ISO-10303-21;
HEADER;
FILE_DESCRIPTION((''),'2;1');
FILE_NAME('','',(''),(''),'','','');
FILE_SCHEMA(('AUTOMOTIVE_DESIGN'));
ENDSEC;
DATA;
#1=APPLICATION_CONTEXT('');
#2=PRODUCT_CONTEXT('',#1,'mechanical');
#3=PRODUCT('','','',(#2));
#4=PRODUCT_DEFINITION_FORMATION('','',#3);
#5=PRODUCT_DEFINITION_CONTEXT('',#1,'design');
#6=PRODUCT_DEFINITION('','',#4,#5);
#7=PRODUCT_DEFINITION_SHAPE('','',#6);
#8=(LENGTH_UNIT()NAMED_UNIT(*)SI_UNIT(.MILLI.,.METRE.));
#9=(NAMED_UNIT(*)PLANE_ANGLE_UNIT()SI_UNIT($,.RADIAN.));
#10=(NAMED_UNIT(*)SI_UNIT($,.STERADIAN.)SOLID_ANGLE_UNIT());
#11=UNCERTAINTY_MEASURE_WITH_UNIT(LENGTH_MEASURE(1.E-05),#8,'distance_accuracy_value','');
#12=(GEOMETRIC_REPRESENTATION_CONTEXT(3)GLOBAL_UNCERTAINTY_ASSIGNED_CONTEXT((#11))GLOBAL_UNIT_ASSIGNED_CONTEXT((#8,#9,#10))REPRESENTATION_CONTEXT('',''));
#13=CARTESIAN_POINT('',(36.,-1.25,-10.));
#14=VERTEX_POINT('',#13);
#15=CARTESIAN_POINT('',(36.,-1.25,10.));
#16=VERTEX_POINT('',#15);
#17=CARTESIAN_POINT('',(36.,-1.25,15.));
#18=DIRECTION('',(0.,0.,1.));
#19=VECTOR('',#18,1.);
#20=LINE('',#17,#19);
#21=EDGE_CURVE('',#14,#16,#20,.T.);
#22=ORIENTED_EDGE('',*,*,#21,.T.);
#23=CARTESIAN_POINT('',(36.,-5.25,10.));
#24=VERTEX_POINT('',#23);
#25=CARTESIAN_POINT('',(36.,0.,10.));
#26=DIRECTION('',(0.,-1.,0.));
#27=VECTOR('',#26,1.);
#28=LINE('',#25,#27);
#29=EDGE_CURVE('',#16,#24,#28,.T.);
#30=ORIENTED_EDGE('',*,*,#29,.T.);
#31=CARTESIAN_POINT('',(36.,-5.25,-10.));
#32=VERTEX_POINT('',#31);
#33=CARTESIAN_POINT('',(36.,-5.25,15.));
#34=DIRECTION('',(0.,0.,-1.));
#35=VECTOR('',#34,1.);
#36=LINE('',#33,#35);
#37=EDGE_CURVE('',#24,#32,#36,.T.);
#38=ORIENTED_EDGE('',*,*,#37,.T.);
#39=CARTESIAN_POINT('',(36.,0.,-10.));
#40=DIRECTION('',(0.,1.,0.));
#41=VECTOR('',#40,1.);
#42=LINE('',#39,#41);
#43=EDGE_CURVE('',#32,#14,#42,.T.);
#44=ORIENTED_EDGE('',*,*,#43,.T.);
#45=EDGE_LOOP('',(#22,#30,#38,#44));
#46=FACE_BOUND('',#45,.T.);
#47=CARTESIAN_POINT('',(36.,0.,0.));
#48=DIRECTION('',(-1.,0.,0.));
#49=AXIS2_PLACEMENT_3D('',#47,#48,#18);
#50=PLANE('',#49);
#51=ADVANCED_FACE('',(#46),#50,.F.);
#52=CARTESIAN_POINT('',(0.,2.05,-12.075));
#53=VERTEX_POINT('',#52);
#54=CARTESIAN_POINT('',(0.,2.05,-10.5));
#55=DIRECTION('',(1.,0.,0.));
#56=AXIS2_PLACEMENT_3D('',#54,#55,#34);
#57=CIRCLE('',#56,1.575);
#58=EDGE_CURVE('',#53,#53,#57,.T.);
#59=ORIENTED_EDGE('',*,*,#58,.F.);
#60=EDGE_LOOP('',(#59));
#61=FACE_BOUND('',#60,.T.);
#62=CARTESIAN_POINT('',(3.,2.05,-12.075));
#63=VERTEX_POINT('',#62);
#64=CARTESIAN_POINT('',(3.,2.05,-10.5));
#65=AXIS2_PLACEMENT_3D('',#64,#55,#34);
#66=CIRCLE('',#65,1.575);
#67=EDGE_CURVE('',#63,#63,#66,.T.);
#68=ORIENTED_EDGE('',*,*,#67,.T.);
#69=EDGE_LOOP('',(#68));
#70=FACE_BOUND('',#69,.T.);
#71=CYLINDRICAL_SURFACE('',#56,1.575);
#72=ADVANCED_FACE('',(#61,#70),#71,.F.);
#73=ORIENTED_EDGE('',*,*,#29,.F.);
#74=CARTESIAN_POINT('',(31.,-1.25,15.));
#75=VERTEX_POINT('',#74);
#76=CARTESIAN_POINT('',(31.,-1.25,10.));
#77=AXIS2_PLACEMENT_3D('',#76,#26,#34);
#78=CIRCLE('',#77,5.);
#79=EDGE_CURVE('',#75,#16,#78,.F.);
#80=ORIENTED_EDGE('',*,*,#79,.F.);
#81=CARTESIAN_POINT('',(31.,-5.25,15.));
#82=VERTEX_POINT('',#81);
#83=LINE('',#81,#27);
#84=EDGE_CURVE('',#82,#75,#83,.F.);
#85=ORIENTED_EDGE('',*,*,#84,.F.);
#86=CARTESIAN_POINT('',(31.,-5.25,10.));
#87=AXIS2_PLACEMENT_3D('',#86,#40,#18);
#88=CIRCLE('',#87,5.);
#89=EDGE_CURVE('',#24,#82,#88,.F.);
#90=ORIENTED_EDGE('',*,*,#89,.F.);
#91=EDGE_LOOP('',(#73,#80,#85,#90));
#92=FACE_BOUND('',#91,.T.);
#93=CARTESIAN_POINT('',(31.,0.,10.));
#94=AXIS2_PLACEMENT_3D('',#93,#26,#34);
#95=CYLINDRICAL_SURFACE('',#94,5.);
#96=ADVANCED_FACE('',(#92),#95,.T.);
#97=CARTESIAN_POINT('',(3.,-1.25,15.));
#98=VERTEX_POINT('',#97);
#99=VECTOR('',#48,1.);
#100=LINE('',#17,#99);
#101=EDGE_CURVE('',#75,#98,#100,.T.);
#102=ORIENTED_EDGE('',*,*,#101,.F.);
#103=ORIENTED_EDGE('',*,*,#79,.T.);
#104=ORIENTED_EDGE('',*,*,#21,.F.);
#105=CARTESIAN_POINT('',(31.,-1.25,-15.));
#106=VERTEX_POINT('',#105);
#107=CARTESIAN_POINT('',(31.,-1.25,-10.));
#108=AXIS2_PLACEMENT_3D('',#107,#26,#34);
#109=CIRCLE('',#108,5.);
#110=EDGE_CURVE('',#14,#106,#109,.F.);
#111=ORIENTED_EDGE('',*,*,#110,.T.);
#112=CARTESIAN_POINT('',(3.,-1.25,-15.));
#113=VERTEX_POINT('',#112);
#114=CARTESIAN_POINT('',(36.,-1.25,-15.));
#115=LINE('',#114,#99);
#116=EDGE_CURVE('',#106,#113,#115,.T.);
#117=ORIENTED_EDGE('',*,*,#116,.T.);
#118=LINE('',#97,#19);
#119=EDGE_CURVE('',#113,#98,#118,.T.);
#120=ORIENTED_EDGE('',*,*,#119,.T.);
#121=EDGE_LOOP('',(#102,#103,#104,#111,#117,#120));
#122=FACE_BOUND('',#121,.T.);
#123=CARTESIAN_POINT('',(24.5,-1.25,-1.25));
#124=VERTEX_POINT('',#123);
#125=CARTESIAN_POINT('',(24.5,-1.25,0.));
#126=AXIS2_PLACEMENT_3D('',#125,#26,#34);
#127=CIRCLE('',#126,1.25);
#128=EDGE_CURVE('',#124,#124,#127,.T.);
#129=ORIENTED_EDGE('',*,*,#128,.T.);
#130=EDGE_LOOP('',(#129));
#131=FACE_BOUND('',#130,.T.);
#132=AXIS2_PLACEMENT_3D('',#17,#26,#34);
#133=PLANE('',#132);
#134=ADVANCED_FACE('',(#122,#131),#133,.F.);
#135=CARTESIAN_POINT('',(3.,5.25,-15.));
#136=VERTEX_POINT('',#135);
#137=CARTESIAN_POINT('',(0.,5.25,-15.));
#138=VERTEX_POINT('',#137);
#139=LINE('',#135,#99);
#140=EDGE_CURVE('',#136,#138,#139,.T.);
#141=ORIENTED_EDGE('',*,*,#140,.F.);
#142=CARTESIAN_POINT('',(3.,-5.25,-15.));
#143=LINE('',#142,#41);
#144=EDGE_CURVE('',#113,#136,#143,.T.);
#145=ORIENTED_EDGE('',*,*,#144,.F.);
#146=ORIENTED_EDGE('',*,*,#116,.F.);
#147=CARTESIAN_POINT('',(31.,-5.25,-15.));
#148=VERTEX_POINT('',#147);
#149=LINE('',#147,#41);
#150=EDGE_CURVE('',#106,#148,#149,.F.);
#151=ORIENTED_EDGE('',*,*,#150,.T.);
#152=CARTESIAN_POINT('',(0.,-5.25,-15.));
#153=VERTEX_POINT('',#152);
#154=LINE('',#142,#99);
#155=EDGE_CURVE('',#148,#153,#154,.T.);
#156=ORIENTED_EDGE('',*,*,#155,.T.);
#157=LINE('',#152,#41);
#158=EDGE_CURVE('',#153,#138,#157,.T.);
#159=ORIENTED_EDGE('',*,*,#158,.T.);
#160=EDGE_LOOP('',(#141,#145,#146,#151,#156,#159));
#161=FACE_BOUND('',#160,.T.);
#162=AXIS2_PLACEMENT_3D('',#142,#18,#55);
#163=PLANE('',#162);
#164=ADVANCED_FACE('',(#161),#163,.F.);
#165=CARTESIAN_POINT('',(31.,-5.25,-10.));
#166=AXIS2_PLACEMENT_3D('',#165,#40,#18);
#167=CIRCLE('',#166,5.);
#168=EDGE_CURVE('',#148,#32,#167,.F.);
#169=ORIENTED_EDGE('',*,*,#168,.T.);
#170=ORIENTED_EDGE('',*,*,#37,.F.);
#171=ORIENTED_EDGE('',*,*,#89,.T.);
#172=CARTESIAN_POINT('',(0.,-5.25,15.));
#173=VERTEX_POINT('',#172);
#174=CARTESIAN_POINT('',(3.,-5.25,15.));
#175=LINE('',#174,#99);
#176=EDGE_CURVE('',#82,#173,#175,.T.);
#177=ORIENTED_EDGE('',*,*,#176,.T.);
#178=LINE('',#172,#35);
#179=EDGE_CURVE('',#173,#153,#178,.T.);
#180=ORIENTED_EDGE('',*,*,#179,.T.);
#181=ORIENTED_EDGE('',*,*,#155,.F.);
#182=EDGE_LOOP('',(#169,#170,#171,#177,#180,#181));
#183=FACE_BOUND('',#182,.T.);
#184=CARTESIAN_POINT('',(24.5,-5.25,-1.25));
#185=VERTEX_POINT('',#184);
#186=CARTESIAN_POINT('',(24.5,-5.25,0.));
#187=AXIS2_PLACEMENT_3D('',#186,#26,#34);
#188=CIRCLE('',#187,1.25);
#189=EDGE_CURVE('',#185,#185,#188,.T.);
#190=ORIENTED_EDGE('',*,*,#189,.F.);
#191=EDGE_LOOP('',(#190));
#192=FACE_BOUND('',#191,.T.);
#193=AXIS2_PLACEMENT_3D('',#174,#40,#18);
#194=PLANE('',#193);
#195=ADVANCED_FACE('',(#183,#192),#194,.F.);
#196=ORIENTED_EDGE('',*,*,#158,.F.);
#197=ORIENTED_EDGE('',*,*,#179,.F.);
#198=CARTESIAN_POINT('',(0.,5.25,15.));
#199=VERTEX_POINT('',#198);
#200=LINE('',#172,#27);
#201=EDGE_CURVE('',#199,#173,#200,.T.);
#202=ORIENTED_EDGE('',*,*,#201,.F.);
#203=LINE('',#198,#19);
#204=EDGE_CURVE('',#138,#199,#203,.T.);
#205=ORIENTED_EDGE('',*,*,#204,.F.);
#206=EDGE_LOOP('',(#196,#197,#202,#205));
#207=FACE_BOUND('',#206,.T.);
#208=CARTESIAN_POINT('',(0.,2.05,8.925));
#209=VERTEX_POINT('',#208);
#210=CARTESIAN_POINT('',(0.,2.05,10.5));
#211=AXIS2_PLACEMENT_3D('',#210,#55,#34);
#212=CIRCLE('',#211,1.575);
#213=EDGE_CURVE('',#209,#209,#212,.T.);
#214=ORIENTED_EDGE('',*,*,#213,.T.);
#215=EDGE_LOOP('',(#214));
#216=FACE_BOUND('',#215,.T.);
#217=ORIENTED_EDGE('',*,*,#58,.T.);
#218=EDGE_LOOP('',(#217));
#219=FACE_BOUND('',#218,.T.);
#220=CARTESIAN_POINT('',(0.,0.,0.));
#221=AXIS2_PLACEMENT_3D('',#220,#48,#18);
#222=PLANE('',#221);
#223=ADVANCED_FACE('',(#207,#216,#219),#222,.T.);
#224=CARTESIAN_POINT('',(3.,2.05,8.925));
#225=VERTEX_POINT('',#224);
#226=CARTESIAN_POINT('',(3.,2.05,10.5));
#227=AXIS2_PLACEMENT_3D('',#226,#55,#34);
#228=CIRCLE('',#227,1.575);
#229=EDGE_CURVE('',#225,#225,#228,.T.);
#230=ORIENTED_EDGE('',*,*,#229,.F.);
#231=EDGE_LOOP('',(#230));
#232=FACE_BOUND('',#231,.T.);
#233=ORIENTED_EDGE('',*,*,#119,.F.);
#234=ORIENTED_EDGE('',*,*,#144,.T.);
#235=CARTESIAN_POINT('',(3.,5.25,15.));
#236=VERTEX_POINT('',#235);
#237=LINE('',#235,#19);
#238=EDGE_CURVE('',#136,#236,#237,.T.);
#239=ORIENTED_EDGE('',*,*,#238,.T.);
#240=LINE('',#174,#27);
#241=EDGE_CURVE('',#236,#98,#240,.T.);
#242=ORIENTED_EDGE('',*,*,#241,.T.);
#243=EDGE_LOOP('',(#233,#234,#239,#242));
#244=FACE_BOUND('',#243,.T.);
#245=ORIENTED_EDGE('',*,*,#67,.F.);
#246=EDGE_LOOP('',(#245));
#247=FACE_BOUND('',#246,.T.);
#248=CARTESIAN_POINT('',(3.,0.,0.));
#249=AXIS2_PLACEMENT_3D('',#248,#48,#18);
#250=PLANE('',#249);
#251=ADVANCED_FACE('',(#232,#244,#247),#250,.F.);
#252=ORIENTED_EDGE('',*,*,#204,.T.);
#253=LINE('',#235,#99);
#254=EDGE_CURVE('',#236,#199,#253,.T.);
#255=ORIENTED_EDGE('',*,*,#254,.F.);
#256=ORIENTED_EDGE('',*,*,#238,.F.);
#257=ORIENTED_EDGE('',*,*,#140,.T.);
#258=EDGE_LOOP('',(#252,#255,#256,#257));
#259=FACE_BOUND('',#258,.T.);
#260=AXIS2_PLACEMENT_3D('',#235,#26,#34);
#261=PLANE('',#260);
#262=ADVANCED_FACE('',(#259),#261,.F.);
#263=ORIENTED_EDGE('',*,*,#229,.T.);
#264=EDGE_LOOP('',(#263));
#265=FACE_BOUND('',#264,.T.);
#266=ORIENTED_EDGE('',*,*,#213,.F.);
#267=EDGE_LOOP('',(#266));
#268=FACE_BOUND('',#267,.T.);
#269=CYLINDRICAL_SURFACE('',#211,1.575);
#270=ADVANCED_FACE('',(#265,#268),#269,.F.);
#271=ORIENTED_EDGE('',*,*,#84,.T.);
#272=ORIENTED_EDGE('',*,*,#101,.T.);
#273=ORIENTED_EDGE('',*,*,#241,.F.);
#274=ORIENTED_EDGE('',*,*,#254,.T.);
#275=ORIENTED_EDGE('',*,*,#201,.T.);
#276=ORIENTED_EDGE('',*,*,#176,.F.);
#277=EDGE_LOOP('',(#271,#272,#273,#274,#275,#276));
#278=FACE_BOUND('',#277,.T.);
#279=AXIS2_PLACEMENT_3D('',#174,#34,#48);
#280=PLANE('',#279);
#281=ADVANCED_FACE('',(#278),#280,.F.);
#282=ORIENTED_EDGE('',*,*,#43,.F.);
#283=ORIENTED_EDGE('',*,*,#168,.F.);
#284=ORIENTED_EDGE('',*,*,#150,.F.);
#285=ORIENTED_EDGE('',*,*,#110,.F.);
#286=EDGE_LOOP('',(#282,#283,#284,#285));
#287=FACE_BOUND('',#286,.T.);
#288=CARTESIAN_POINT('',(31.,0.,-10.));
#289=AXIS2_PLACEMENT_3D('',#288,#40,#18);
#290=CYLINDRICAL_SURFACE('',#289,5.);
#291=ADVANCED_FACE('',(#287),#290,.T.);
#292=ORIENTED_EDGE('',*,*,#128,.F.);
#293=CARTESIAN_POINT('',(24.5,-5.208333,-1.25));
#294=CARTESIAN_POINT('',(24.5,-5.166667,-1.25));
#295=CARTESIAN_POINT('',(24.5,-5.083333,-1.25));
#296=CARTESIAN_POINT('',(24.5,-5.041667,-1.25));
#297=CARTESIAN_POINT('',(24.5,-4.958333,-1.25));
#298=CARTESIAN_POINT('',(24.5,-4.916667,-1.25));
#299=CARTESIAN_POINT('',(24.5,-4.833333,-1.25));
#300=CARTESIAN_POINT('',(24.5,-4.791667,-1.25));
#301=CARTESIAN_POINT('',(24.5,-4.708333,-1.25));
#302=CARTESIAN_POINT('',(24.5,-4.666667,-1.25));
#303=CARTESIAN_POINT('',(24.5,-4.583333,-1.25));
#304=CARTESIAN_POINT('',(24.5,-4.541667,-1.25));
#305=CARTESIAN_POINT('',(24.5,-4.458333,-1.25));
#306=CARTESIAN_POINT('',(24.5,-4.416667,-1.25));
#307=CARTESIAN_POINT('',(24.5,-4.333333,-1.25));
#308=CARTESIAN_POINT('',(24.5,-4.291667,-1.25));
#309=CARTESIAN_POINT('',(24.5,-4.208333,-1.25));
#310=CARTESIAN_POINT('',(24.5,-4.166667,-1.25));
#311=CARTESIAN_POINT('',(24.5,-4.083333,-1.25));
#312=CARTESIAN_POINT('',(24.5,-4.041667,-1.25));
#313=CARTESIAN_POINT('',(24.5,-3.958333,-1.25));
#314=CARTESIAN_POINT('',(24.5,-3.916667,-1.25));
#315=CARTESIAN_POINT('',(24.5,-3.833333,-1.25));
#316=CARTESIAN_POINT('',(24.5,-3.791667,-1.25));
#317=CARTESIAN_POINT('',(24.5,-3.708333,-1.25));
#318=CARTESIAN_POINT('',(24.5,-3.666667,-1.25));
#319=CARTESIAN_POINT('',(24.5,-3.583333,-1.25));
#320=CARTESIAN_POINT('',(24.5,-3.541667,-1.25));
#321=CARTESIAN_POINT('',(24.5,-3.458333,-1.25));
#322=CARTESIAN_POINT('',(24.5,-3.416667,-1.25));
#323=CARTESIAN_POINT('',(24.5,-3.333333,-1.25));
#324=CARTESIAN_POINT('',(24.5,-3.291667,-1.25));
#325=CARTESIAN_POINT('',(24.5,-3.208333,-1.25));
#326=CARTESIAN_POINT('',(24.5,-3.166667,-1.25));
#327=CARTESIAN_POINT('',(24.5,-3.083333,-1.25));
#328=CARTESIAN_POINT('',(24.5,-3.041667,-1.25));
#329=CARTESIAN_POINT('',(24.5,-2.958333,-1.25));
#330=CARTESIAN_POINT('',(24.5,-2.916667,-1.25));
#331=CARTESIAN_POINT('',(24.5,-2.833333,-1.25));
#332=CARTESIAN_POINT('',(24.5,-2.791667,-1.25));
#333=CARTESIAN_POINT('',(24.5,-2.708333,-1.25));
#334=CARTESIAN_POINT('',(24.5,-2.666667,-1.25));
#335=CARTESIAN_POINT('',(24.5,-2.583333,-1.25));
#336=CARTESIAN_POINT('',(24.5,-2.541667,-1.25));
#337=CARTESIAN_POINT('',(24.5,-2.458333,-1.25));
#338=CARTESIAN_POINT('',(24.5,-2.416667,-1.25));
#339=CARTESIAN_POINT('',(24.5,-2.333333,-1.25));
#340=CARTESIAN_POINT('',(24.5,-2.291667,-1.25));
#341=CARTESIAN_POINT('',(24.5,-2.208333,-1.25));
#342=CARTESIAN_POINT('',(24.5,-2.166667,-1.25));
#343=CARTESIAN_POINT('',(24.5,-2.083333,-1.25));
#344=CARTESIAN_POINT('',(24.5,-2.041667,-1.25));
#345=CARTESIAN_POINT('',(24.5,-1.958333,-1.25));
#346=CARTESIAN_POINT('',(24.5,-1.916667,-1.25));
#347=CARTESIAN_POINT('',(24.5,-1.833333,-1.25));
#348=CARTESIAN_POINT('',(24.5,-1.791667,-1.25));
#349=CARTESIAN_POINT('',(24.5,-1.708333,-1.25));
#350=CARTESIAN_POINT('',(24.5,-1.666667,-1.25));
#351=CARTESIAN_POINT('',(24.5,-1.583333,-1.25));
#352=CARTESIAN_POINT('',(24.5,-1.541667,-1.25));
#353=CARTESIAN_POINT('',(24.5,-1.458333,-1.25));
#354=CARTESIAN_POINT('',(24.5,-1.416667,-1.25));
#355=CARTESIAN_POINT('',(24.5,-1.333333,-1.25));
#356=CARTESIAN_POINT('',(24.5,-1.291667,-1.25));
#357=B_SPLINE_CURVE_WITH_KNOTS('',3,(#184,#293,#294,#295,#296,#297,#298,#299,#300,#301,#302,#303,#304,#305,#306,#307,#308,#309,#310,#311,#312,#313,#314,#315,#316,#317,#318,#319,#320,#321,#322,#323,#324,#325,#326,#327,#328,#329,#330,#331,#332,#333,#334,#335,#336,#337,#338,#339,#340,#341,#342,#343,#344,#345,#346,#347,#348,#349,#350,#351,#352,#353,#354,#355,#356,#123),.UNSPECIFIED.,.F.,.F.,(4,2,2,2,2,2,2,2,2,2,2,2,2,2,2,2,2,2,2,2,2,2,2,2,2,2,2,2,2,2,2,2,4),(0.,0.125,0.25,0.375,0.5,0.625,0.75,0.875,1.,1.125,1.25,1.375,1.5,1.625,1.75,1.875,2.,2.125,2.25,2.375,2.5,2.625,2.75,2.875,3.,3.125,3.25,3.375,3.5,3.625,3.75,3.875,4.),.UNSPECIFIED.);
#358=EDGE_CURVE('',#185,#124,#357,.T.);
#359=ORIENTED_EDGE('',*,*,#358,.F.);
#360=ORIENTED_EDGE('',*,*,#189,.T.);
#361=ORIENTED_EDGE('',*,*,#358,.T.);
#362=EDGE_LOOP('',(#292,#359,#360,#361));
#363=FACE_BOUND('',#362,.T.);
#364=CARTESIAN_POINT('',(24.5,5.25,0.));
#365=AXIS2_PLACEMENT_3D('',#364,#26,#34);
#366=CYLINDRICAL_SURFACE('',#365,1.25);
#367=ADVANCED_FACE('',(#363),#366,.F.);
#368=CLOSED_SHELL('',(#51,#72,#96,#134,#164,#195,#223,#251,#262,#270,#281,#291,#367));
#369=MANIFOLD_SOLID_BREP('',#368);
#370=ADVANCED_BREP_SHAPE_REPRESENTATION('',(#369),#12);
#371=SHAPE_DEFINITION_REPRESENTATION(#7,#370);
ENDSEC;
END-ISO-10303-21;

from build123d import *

# Parameters (mm, degrees)
SKETCH1_W           = 30
SKETCH1_H           = 10.5
BOSS_EXTRUDE1_DEPTH = 3
SKETCH2_W           = 30
SKETCH2_H           = 4
BOSS_EXTRUDE2_DEPTH = 33
FILLET1_R           = 5
SKETCH3_R           = 1.575
CUT_EXTRUDE1_DEPTH  = 37.627346341
SKETCH4_R           = 1.575
CUT_EXTRUDE2_DEPTH  = 37.627346341
SKETCH5_R           = 1.25
CUT_EXTRUDE3_DEPTH  = 41.388736054


with BuildPart() as part:
    # Sketch1 → Boss-Extrude1 (new body)
    with BuildSketch(Plane(origin=(0, 0, 0), x_dir=(0, 0, -1), z_dir=(1, 0, 0))):
        Rectangle(SKETCH1_W, SKETCH1_H)
    extrude(amount=BOSS_EXTRUDE1_DEPTH)

    # Sketch2 → Boss-Extrude2 (add)
    with BuildSketch(Plane(origin=(3, 0, 0), x_dir=(0, 0, -1), z_dir=(1, 0, 0))):
        with Locations((0, -3.25)):
            Rectangle(SKETCH2_W, SKETCH2_H)
    extrude(amount=BOSS_EXTRUDE2_DEPTH)

    # Fillet1
    fillet1_edges = [part.edges().sort_by_distance(p)[0] for p in [
        (36, -3.25, 15),
        (36, -3.25, -15),
    ]]
    fillet(fillet1_edges, radius=FILLET1_R)

    # Sketch3 → Cut-Extrude1 (cut, through all)
    with BuildSketch(Plane(origin=(3, 0, 0), x_dir=(0, 0, -1), z_dir=(1, 0, 0))):
        with Locations((-10.5, 2.05)):
            Circle(SKETCH3_R)
    extrude(amount=-CUT_EXTRUDE1_DEPTH, mode=Mode.SUBTRACT)

    # Sketch4 → Cut-Extrude2 (cut, through all)
    with BuildSketch(Plane(origin=(3, 0, 0), x_dir=(0, 0, -1), z_dir=(1, 0, 0))):
        with Locations((10.5, 2.05)):
            Circle(SKETCH4_R)
    extrude(amount=-CUT_EXTRUDE2_DEPTH, mode=Mode.SUBTRACT)

    # Sketch5 → Cut-Extrude3 (cut, through all)
    with BuildSketch(Plane(origin=(0, -5.25, 0), x_dir=(-1, 0, 0), z_dir=(0, -1, 0))):
        with Locations(Location((-24.5, 0, 0), (0, 0, 90))):
            Circle(SKETCH5_R)
    extrude(amount=-CUT_EXTRUDE3_DEPTH, mode=Mode.SUBTRACT)


solid = part.part
